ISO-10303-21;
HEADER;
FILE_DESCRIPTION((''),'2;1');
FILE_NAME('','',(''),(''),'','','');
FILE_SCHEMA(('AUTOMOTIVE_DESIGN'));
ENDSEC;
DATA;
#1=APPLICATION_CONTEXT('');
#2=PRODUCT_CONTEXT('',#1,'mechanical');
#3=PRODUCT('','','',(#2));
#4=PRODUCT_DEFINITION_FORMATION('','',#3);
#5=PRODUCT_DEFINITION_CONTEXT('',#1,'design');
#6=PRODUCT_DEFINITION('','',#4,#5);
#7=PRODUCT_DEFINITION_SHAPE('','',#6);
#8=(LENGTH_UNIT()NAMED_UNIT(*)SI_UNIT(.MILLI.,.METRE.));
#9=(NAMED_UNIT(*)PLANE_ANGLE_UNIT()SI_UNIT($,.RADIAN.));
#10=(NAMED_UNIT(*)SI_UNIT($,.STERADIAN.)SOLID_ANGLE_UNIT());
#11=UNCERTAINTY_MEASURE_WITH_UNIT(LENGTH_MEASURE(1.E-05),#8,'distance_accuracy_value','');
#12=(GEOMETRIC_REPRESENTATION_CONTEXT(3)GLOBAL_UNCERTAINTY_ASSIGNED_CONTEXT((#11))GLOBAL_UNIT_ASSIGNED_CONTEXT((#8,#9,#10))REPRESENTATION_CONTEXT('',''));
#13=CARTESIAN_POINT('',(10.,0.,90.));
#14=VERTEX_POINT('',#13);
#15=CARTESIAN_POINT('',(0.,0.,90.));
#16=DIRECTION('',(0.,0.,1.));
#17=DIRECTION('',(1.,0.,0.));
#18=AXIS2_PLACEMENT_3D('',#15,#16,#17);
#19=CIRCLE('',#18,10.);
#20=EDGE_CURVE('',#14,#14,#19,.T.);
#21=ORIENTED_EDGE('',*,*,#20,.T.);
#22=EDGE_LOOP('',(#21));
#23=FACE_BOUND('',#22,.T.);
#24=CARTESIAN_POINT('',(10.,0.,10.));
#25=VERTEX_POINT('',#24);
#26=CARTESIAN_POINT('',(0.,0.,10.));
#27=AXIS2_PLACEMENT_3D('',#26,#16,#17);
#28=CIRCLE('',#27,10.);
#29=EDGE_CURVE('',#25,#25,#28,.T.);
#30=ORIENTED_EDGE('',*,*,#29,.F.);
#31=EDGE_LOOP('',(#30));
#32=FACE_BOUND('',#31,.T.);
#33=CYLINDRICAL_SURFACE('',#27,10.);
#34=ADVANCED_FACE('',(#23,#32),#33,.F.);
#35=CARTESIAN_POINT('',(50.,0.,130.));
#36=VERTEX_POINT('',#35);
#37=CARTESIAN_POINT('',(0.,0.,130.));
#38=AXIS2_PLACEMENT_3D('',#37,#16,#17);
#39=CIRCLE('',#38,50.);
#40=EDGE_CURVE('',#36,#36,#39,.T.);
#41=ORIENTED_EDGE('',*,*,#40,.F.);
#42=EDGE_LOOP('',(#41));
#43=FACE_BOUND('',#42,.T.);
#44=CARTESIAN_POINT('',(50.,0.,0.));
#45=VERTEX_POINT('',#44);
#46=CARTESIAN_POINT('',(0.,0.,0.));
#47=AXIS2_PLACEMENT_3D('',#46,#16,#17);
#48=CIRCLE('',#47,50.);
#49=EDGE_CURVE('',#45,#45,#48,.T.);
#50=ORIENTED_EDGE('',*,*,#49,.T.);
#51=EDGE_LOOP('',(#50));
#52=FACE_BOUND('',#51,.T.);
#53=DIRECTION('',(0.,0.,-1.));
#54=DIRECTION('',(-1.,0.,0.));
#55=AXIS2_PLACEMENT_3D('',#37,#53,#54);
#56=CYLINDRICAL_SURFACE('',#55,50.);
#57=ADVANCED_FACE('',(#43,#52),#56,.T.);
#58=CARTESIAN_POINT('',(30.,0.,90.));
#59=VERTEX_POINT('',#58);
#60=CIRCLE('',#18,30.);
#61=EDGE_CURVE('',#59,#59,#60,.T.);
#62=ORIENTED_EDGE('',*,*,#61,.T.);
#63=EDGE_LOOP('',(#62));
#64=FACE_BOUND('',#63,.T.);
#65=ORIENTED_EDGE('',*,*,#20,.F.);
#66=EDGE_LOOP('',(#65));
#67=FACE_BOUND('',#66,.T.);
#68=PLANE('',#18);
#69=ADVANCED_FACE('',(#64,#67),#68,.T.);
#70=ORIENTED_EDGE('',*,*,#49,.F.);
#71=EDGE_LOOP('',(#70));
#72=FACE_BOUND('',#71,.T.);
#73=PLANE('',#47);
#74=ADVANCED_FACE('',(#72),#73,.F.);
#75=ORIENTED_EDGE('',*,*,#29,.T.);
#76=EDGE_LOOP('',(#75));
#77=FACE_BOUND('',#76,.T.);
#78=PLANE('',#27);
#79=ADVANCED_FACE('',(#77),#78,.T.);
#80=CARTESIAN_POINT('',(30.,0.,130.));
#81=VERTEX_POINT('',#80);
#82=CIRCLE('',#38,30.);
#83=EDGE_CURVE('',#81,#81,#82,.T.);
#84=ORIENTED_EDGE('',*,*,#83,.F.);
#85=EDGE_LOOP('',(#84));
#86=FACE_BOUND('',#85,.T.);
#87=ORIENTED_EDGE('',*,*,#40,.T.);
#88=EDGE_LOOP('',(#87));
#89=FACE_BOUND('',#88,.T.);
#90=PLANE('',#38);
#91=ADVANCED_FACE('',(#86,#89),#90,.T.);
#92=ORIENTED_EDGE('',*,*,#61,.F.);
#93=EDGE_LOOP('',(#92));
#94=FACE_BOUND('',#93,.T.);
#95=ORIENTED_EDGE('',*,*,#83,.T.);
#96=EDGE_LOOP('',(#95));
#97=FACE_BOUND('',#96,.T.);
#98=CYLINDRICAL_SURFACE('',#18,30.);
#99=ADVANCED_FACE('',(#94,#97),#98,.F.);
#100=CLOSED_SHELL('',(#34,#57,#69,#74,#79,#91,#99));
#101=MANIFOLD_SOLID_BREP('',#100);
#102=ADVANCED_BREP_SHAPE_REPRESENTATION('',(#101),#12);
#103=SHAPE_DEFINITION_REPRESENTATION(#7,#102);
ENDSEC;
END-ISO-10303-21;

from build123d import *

# Parameters (mm, degrees)
SKETCH1_R           = 50
BOSS_EXTRUDE1_DEPTH = 130
SKETCH2_R           = 30
CUT_EXTRUDE1_DEPTH  = 40
SKETCH3_R           = 10
CUT_EXTRUDE2_DEPTH  = 80


with BuildPart() as part:
    # Sketch1 → Boss-Extrude1 (new body)
    with BuildSketch(Plane.XY):
        Circle(SKETCH1_R)
    extrude(amount=BOSS_EXTRUDE1_DEPTH)

    # Sketch2 → Cut-Extrude1 (cut)
    with BuildSketch(Plane.XY.offset(130)):
        Circle(SKETCH2_R)
    extrude(amount=-CUT_EXTRUDE1_DEPTH, mode=Mode.SUBTRACT)

    # Sketch3 → Cut-Extrude2 (cut)
    with BuildSketch(Plane.XY.offset(90)):
        Circle(SKETCH3_R)
    extrude(amount=-CUT_EXTRUDE2_DEPTH, mode=Mode.SUBTRACT)


solid = part.part
